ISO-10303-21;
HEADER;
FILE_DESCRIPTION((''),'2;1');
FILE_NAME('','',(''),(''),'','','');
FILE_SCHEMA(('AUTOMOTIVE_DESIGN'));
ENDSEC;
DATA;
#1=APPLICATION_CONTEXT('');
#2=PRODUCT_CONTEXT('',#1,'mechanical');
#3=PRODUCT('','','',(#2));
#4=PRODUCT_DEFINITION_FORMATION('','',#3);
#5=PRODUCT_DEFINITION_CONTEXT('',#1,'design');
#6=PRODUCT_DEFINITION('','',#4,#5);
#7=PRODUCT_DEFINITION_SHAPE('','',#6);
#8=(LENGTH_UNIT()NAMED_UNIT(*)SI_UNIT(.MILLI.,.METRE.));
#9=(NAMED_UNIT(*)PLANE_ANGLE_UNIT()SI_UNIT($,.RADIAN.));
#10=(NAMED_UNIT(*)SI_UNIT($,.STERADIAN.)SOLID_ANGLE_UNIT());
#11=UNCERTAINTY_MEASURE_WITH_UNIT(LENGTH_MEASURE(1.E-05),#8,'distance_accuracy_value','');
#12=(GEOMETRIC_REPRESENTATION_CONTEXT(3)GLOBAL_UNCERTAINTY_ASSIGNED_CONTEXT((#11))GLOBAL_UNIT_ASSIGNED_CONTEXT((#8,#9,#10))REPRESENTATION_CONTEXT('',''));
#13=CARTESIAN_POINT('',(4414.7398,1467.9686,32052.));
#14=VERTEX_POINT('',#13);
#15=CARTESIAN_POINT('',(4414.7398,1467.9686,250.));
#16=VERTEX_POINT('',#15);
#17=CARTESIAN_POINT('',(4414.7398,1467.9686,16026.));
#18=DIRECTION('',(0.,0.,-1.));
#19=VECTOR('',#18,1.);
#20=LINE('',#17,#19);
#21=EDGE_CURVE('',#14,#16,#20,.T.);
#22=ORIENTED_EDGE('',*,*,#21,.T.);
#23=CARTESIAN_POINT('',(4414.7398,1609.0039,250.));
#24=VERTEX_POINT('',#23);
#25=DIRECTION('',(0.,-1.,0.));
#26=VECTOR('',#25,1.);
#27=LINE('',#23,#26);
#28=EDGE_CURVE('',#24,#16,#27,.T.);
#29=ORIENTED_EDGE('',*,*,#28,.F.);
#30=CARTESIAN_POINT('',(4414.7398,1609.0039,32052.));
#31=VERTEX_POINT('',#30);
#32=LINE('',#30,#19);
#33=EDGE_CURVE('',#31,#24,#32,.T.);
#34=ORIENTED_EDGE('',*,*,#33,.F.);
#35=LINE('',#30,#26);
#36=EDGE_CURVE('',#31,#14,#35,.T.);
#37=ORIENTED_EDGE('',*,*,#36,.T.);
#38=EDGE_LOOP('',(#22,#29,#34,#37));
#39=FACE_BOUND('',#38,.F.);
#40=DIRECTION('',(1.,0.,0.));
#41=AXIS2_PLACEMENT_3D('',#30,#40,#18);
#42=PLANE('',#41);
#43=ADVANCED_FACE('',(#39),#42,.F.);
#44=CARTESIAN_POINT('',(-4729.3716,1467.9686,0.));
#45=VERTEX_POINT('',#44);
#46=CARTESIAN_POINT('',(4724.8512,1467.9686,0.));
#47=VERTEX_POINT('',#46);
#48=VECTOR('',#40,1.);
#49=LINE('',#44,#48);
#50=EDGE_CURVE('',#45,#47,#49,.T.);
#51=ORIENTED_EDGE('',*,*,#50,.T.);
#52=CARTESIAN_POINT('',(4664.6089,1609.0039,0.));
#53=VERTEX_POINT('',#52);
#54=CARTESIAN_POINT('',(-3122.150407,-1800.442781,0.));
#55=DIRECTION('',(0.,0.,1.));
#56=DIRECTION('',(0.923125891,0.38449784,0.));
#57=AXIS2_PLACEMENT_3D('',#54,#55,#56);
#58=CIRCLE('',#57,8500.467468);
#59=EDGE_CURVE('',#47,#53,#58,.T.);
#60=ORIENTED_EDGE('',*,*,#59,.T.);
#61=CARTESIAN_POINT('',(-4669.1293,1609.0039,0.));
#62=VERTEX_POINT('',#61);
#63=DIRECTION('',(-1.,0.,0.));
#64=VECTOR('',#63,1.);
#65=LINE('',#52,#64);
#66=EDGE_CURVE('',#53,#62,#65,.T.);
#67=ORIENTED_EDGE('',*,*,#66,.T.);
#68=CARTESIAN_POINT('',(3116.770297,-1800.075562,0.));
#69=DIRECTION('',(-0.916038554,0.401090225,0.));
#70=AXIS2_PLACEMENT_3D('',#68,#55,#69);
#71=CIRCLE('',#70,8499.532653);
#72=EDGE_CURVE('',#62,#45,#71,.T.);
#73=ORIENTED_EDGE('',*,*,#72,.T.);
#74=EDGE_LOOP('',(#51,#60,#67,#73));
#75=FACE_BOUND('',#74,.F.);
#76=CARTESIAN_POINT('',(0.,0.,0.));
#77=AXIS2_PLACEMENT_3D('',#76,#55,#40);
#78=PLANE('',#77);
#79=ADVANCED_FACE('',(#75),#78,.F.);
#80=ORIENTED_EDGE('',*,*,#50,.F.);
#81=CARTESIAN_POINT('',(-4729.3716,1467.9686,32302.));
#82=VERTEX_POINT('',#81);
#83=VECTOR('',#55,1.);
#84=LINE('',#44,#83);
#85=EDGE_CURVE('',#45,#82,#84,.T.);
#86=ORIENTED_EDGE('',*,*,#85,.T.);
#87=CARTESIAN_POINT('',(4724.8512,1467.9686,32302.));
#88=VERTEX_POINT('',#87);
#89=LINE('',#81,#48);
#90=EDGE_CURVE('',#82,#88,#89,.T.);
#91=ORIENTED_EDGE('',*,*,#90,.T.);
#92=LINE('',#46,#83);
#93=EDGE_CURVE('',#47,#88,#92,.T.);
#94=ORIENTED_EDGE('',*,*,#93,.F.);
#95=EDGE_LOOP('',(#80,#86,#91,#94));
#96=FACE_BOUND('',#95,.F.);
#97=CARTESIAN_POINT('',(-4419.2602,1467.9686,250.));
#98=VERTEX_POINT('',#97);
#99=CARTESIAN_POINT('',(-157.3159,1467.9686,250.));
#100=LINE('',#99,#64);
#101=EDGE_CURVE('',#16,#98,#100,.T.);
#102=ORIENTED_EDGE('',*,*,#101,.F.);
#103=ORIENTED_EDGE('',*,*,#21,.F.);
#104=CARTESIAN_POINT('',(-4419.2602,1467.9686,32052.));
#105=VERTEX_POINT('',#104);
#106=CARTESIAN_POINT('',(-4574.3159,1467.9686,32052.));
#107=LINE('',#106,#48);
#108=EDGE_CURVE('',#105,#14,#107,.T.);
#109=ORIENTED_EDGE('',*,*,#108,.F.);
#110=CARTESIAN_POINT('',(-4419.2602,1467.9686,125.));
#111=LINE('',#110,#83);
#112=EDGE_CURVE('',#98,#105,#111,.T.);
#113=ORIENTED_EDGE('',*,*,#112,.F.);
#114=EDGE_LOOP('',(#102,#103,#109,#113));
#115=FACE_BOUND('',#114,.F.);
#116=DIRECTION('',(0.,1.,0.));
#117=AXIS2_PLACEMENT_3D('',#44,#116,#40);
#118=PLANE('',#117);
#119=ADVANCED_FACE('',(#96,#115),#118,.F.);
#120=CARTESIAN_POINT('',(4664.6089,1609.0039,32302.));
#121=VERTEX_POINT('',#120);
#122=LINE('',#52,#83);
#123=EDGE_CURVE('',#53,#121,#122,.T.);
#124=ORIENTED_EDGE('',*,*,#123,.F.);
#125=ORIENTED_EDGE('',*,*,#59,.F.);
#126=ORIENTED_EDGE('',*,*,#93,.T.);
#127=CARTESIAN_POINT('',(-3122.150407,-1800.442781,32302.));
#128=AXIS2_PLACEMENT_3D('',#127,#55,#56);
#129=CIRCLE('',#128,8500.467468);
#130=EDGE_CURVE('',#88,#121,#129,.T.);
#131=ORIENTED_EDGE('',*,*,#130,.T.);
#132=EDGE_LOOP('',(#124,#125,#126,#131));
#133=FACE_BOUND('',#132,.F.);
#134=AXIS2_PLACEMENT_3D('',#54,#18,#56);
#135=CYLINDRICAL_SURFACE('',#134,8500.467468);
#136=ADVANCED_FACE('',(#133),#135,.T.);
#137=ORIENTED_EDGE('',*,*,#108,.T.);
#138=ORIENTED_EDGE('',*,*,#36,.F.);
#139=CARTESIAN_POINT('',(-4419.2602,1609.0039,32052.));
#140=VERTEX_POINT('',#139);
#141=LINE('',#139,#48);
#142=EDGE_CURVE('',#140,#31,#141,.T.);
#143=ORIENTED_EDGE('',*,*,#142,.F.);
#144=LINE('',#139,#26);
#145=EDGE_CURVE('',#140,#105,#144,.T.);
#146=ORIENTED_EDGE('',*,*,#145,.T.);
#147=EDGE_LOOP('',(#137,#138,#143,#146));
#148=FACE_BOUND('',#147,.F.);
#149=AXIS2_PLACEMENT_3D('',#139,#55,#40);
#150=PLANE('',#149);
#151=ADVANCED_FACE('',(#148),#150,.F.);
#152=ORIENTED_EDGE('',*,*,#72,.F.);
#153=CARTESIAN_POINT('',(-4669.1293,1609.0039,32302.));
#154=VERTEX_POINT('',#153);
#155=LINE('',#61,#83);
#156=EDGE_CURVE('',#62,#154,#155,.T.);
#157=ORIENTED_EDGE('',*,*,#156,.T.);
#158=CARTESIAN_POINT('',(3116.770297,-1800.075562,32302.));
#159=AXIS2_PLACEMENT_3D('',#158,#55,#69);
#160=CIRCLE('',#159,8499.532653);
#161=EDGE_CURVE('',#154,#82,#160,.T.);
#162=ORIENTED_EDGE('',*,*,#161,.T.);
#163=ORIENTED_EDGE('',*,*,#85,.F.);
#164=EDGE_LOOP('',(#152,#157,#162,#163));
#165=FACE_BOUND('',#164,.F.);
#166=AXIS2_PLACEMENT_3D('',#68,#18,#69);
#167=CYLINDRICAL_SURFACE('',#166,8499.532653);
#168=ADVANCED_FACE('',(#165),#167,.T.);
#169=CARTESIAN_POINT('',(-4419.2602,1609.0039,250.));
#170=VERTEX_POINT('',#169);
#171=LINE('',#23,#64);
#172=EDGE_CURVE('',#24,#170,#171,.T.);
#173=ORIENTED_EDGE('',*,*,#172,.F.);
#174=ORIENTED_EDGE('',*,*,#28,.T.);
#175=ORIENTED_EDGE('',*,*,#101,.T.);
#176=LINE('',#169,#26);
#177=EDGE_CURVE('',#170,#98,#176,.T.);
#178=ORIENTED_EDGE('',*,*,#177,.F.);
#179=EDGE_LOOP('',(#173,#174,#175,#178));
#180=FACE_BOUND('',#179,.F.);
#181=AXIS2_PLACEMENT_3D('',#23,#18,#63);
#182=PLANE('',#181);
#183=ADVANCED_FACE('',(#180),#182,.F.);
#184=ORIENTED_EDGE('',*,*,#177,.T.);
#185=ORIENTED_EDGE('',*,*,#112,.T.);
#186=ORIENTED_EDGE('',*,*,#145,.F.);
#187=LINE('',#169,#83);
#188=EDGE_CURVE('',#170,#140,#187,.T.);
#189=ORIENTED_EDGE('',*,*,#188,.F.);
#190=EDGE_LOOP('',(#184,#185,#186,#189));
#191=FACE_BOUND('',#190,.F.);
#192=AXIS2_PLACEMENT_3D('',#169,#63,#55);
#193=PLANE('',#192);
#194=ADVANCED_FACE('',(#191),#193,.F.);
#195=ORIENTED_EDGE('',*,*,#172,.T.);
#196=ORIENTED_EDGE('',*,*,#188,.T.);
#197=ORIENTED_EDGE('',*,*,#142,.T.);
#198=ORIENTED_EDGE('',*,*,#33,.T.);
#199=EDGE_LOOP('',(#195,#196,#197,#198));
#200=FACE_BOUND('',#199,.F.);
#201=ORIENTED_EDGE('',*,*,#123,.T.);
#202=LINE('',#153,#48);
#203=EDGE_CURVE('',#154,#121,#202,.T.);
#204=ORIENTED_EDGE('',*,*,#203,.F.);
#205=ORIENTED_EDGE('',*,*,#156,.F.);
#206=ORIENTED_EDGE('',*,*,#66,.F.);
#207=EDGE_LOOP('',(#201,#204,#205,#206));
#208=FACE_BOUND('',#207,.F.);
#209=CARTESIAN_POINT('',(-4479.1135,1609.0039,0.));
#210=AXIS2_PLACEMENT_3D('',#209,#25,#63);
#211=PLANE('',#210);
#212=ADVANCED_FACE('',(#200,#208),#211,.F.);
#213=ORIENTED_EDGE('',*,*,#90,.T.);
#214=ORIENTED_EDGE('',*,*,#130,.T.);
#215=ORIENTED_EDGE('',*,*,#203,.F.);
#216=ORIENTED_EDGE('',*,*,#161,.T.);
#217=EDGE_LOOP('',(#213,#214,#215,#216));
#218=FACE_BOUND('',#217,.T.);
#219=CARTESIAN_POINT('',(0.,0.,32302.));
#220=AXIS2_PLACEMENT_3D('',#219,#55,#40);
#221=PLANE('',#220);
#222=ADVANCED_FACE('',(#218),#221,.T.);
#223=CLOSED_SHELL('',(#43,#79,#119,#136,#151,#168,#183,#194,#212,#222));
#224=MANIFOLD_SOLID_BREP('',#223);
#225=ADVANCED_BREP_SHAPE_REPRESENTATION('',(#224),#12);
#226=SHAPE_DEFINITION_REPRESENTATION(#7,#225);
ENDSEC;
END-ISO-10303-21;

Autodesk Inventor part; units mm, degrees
ref_plane "YZ Plane" through (0, 0, 0) normal (1, 0, 0) x (0, 1, 0)
ref_plane "XZ Plane" through (0, 0, 0) normal (0, 1, 0) x (-1, 0, 0)
ref_plane "XY Plane" through (0, 0, 0) normal (0, 0, 1) x (1, 0, 0)
sketch "Sketch1" plane through (0, 0, 0) normal (0, 0, 1) x (1, 0, 0)
  line L0 (-4729.3716, 1467.9686) -> (4724.8512, 1467.9686)
  line L1 (-4479.1135, 1609.0039) -> (4474.5931, 1609.0039)
  arc A0 (-4669.1293, 1609.0039) -> (-4729.3716, 1467.9686) centre (3117.1993, -1800.2611) ccw
  arc A1 (4724.8512, 1467.9686) -> (4664.6089, 1609.0039) centre (-3121.7197, -1800.2611) ccw
  line L2 (-4479.1135, 1609.0039) -> (-4669.1293, 1609.0039)
  line L3 (-4479.1135, 1609.0039) -> (-4289.0978, 1609.0039) construction
  line L4 (4474.5931, 1609.0039) -> (4664.6089, 1609.0039)
  point P0 (0, 0)
extrude "Extrusion1" add sketch "Sketch1" along normal blind 32302
sketch "Sketch2" plane through (-4669.1293, 1609.0039, 0) normal (0, 1, 0) x (1, 0, 0)
  line L0 (0, 0) -> (0, -32302) projected
  line L1 (9333.7382, 0) -> (0, 0) projected
  line L2 (0, 0) -> (0, -32302) projected
  line L3 (9333.7382, -32302) -> (0, -32302) projected
  line L4 (9333.7382, 0) -> (9333.7382, -32302) projected
  line L5 (9393.9805, 0) -> (9393.9805, -32302) projected
  line L6 (9083.8691, -250) -> (249.8691, -250)
  line L7 (249.8691, -250) -> (249.8691, -32052)
  line L8 (249.8691, -32052) -> (9083.8691, -32052)
  line L9 (9083.8691, -32052) -> (9083.8691, -250)
  line L10 (9083.8691, -250) -> (249.8691, -32052) construction
  line L11 (249.8691, -250) -> (9083.8691, -32052) construction
  point P0 (4669.1293, 0)
  point P1 (4666.8691, -16151)
  dimension "d11" = 8834
  dimension "d12" = 31802
extrude "Extrusion4" cut sketch "Sketch2" against normal through all contours L9 L8 L7 L6
properties part number "top_wall_frame_MIR" material "Wood (Maple)"
